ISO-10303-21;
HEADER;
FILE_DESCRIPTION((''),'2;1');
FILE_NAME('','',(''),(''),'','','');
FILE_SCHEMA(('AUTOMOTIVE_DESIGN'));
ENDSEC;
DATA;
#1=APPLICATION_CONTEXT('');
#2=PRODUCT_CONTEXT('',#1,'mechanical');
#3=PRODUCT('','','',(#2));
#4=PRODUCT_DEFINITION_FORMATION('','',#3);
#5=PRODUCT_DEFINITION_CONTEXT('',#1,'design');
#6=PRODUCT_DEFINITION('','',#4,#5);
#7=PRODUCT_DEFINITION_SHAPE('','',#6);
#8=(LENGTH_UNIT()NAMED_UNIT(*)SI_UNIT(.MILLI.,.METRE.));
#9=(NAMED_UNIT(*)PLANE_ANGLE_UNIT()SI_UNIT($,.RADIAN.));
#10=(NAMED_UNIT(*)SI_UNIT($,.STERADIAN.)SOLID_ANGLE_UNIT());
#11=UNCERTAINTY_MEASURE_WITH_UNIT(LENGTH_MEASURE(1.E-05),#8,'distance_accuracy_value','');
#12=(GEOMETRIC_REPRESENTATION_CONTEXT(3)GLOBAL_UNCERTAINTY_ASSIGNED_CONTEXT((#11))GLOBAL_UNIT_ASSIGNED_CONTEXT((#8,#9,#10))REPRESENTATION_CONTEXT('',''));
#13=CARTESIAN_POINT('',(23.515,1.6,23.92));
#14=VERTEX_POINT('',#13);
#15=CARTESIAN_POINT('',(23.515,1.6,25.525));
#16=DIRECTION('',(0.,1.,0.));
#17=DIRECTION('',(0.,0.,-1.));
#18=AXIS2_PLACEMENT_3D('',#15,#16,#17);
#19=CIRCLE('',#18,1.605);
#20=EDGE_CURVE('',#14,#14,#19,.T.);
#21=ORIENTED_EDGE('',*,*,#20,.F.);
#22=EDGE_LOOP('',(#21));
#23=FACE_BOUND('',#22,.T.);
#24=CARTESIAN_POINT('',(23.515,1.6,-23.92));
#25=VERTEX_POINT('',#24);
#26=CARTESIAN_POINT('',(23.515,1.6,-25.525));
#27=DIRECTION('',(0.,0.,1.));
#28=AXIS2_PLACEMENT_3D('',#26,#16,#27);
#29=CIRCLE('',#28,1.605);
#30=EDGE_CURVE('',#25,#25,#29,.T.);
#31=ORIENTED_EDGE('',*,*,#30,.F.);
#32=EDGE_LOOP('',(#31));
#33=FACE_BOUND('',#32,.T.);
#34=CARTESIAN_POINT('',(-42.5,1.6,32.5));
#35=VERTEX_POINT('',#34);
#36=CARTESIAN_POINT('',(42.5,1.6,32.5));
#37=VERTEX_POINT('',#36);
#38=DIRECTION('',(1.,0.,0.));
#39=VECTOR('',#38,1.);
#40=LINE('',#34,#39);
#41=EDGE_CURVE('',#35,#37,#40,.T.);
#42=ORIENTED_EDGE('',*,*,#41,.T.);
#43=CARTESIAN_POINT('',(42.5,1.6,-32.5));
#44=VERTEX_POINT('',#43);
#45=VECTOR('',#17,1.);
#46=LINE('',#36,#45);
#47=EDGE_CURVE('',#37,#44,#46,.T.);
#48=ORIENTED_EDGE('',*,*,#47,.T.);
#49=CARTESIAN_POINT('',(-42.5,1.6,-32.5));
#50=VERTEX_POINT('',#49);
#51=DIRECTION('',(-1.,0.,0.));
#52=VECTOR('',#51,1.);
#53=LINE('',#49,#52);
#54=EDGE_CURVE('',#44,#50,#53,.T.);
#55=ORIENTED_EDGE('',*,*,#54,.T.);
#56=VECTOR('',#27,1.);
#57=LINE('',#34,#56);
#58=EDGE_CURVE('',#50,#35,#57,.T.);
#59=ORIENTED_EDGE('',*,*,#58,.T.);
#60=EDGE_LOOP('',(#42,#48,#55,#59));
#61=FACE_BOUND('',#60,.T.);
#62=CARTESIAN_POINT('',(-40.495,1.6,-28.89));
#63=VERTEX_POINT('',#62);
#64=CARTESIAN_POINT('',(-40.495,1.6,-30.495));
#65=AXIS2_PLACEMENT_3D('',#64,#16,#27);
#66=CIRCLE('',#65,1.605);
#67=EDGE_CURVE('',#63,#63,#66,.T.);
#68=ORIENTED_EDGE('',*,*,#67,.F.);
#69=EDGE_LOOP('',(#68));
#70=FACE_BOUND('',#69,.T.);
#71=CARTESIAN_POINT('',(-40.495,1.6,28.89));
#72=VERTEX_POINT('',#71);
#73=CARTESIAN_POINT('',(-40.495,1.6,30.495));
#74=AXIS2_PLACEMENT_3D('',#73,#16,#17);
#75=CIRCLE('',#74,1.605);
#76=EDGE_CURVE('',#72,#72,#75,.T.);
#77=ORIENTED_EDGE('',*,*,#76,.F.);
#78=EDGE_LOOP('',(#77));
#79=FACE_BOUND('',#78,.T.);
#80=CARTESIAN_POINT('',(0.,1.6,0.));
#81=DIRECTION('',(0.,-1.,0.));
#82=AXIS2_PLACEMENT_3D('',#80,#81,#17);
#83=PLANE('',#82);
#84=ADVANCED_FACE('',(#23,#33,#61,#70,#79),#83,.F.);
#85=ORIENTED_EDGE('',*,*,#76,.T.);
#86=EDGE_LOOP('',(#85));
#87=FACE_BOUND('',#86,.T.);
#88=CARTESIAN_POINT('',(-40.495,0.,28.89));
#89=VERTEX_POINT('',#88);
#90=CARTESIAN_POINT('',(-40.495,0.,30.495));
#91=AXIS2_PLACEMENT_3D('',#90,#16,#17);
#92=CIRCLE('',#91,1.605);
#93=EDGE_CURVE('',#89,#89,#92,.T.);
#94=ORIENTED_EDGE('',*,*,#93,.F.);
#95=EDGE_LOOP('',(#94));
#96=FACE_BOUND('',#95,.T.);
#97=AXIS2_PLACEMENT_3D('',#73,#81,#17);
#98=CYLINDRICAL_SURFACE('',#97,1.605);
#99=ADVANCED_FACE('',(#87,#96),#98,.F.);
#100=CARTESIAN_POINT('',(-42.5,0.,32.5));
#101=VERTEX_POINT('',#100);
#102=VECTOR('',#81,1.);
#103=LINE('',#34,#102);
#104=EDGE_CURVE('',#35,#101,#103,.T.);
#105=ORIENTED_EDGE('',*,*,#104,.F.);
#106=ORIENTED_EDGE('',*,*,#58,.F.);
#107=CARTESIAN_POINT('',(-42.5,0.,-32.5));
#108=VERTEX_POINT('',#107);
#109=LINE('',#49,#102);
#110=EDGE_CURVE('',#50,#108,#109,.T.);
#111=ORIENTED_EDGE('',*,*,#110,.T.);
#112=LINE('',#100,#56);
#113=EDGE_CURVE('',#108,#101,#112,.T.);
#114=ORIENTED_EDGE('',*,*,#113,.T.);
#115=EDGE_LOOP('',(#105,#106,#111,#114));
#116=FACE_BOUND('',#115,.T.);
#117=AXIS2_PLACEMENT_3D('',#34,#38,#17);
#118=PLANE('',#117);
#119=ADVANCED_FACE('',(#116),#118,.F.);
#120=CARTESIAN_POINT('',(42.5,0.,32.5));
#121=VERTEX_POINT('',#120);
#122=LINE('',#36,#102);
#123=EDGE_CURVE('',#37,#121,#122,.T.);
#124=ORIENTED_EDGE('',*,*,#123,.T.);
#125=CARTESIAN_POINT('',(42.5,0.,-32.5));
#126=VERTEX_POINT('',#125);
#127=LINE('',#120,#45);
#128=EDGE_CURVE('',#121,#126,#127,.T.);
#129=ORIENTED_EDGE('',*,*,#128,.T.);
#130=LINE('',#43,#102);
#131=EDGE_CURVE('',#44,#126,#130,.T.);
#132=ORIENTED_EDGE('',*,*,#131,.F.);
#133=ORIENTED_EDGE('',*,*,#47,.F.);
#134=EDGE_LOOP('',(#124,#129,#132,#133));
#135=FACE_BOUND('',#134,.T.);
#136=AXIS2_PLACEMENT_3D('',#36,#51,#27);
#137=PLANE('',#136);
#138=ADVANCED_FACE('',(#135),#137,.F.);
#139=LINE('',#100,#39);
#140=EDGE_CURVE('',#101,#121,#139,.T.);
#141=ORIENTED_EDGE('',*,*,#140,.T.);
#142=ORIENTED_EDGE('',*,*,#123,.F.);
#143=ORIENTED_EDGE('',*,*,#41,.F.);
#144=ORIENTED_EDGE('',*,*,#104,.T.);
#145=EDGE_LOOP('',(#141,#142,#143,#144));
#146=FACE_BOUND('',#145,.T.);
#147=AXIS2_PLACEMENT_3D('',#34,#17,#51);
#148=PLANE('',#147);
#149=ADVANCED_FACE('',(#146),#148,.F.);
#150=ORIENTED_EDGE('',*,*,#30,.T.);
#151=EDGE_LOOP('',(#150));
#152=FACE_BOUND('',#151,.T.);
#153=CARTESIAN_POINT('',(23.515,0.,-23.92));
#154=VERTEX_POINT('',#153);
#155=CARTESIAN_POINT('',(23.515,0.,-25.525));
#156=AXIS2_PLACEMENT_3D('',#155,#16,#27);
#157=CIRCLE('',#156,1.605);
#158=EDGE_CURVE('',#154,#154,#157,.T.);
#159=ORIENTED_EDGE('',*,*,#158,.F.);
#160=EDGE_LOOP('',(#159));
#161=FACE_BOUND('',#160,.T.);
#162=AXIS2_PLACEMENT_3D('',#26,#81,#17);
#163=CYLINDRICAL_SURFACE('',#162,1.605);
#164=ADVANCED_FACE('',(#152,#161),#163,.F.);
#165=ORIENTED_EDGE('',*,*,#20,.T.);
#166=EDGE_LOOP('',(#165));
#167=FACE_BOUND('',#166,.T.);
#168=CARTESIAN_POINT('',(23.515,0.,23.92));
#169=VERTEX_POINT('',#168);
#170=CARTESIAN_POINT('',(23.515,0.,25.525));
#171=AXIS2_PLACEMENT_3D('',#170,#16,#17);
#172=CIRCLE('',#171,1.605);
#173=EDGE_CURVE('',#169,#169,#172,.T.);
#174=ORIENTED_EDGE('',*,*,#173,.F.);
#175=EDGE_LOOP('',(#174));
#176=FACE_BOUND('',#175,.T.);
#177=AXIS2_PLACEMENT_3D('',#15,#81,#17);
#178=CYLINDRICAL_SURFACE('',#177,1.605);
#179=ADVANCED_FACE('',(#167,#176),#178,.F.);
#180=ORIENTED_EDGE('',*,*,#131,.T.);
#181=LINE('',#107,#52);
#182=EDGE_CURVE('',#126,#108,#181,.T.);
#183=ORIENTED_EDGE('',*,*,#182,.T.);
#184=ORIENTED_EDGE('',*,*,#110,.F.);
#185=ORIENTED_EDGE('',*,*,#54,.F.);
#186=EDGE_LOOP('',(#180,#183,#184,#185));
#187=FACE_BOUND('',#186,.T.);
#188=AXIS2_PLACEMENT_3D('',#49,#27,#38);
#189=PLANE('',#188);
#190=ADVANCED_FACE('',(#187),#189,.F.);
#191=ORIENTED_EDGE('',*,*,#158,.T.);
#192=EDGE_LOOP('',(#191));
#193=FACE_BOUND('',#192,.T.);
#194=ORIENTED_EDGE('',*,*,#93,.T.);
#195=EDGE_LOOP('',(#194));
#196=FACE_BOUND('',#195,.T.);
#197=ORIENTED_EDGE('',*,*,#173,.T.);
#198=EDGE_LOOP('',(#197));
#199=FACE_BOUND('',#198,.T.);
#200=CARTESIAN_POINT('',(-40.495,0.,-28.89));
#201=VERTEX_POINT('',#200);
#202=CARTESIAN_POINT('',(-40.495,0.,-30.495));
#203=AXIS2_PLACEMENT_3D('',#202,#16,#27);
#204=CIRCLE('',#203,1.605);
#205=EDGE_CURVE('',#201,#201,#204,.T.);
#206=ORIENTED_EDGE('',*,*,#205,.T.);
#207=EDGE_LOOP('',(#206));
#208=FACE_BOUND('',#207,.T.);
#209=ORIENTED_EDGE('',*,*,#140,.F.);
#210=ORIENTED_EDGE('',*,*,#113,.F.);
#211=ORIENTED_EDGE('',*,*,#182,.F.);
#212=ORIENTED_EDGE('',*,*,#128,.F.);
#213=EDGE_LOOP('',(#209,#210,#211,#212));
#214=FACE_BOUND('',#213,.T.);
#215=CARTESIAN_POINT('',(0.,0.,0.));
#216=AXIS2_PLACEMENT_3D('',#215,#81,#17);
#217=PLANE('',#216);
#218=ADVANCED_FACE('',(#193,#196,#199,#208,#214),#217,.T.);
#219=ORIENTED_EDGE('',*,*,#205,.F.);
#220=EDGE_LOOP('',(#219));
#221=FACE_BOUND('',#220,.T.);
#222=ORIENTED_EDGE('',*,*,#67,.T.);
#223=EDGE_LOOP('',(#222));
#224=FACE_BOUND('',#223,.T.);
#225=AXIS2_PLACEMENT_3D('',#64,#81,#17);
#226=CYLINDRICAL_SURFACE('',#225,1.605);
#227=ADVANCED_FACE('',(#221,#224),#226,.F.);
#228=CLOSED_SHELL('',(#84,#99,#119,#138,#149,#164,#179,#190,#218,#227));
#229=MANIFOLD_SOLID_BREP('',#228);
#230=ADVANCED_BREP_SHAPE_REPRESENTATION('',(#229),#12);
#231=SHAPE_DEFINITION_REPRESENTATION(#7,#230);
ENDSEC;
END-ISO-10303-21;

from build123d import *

# Parameters (mm, degrees)
SKETCH1_W           = 85
SKETCH1_H           = 65
SKETCH1_R           = 1.605
BOSS_EXTRUDE1_DEPTH = 1.6


with BuildPart() as part:
    # Sketch1 → Boss-Extrude1 (new body)
    with BuildSketch(Plane(origin=(0, 0, 0), x_dir=(1, 0, 0), z_dir=(0, 1, 0))):
        Rectangle(SKETCH1_W, SKETCH1_H)
        with Locations(Location((-40.495, 30.495, 0), (0, 0, 270))):
            Circle(SKETCH1_R, mode=Mode.SUBTRACT)
        with Locations(Location((23.515, 25.525, 0), (0, 0, 270))):
            Circle(SKETCH1_R, mode=Mode.SUBTRACT)
        with Locations(Location((23.515, -25.525, 0), (0, 0, 90))):
            Circle(SKETCH1_R, mode=Mode.SUBTRACT)
        with Locations(Location((-40.495, -30.495, 0), (0, 0, 90))):
            Circle(SKETCH1_R, mode=Mode.SUBTRACT)
    extrude(amount=BOSS_EXTRUDE1_DEPTH)


solid = part.part
